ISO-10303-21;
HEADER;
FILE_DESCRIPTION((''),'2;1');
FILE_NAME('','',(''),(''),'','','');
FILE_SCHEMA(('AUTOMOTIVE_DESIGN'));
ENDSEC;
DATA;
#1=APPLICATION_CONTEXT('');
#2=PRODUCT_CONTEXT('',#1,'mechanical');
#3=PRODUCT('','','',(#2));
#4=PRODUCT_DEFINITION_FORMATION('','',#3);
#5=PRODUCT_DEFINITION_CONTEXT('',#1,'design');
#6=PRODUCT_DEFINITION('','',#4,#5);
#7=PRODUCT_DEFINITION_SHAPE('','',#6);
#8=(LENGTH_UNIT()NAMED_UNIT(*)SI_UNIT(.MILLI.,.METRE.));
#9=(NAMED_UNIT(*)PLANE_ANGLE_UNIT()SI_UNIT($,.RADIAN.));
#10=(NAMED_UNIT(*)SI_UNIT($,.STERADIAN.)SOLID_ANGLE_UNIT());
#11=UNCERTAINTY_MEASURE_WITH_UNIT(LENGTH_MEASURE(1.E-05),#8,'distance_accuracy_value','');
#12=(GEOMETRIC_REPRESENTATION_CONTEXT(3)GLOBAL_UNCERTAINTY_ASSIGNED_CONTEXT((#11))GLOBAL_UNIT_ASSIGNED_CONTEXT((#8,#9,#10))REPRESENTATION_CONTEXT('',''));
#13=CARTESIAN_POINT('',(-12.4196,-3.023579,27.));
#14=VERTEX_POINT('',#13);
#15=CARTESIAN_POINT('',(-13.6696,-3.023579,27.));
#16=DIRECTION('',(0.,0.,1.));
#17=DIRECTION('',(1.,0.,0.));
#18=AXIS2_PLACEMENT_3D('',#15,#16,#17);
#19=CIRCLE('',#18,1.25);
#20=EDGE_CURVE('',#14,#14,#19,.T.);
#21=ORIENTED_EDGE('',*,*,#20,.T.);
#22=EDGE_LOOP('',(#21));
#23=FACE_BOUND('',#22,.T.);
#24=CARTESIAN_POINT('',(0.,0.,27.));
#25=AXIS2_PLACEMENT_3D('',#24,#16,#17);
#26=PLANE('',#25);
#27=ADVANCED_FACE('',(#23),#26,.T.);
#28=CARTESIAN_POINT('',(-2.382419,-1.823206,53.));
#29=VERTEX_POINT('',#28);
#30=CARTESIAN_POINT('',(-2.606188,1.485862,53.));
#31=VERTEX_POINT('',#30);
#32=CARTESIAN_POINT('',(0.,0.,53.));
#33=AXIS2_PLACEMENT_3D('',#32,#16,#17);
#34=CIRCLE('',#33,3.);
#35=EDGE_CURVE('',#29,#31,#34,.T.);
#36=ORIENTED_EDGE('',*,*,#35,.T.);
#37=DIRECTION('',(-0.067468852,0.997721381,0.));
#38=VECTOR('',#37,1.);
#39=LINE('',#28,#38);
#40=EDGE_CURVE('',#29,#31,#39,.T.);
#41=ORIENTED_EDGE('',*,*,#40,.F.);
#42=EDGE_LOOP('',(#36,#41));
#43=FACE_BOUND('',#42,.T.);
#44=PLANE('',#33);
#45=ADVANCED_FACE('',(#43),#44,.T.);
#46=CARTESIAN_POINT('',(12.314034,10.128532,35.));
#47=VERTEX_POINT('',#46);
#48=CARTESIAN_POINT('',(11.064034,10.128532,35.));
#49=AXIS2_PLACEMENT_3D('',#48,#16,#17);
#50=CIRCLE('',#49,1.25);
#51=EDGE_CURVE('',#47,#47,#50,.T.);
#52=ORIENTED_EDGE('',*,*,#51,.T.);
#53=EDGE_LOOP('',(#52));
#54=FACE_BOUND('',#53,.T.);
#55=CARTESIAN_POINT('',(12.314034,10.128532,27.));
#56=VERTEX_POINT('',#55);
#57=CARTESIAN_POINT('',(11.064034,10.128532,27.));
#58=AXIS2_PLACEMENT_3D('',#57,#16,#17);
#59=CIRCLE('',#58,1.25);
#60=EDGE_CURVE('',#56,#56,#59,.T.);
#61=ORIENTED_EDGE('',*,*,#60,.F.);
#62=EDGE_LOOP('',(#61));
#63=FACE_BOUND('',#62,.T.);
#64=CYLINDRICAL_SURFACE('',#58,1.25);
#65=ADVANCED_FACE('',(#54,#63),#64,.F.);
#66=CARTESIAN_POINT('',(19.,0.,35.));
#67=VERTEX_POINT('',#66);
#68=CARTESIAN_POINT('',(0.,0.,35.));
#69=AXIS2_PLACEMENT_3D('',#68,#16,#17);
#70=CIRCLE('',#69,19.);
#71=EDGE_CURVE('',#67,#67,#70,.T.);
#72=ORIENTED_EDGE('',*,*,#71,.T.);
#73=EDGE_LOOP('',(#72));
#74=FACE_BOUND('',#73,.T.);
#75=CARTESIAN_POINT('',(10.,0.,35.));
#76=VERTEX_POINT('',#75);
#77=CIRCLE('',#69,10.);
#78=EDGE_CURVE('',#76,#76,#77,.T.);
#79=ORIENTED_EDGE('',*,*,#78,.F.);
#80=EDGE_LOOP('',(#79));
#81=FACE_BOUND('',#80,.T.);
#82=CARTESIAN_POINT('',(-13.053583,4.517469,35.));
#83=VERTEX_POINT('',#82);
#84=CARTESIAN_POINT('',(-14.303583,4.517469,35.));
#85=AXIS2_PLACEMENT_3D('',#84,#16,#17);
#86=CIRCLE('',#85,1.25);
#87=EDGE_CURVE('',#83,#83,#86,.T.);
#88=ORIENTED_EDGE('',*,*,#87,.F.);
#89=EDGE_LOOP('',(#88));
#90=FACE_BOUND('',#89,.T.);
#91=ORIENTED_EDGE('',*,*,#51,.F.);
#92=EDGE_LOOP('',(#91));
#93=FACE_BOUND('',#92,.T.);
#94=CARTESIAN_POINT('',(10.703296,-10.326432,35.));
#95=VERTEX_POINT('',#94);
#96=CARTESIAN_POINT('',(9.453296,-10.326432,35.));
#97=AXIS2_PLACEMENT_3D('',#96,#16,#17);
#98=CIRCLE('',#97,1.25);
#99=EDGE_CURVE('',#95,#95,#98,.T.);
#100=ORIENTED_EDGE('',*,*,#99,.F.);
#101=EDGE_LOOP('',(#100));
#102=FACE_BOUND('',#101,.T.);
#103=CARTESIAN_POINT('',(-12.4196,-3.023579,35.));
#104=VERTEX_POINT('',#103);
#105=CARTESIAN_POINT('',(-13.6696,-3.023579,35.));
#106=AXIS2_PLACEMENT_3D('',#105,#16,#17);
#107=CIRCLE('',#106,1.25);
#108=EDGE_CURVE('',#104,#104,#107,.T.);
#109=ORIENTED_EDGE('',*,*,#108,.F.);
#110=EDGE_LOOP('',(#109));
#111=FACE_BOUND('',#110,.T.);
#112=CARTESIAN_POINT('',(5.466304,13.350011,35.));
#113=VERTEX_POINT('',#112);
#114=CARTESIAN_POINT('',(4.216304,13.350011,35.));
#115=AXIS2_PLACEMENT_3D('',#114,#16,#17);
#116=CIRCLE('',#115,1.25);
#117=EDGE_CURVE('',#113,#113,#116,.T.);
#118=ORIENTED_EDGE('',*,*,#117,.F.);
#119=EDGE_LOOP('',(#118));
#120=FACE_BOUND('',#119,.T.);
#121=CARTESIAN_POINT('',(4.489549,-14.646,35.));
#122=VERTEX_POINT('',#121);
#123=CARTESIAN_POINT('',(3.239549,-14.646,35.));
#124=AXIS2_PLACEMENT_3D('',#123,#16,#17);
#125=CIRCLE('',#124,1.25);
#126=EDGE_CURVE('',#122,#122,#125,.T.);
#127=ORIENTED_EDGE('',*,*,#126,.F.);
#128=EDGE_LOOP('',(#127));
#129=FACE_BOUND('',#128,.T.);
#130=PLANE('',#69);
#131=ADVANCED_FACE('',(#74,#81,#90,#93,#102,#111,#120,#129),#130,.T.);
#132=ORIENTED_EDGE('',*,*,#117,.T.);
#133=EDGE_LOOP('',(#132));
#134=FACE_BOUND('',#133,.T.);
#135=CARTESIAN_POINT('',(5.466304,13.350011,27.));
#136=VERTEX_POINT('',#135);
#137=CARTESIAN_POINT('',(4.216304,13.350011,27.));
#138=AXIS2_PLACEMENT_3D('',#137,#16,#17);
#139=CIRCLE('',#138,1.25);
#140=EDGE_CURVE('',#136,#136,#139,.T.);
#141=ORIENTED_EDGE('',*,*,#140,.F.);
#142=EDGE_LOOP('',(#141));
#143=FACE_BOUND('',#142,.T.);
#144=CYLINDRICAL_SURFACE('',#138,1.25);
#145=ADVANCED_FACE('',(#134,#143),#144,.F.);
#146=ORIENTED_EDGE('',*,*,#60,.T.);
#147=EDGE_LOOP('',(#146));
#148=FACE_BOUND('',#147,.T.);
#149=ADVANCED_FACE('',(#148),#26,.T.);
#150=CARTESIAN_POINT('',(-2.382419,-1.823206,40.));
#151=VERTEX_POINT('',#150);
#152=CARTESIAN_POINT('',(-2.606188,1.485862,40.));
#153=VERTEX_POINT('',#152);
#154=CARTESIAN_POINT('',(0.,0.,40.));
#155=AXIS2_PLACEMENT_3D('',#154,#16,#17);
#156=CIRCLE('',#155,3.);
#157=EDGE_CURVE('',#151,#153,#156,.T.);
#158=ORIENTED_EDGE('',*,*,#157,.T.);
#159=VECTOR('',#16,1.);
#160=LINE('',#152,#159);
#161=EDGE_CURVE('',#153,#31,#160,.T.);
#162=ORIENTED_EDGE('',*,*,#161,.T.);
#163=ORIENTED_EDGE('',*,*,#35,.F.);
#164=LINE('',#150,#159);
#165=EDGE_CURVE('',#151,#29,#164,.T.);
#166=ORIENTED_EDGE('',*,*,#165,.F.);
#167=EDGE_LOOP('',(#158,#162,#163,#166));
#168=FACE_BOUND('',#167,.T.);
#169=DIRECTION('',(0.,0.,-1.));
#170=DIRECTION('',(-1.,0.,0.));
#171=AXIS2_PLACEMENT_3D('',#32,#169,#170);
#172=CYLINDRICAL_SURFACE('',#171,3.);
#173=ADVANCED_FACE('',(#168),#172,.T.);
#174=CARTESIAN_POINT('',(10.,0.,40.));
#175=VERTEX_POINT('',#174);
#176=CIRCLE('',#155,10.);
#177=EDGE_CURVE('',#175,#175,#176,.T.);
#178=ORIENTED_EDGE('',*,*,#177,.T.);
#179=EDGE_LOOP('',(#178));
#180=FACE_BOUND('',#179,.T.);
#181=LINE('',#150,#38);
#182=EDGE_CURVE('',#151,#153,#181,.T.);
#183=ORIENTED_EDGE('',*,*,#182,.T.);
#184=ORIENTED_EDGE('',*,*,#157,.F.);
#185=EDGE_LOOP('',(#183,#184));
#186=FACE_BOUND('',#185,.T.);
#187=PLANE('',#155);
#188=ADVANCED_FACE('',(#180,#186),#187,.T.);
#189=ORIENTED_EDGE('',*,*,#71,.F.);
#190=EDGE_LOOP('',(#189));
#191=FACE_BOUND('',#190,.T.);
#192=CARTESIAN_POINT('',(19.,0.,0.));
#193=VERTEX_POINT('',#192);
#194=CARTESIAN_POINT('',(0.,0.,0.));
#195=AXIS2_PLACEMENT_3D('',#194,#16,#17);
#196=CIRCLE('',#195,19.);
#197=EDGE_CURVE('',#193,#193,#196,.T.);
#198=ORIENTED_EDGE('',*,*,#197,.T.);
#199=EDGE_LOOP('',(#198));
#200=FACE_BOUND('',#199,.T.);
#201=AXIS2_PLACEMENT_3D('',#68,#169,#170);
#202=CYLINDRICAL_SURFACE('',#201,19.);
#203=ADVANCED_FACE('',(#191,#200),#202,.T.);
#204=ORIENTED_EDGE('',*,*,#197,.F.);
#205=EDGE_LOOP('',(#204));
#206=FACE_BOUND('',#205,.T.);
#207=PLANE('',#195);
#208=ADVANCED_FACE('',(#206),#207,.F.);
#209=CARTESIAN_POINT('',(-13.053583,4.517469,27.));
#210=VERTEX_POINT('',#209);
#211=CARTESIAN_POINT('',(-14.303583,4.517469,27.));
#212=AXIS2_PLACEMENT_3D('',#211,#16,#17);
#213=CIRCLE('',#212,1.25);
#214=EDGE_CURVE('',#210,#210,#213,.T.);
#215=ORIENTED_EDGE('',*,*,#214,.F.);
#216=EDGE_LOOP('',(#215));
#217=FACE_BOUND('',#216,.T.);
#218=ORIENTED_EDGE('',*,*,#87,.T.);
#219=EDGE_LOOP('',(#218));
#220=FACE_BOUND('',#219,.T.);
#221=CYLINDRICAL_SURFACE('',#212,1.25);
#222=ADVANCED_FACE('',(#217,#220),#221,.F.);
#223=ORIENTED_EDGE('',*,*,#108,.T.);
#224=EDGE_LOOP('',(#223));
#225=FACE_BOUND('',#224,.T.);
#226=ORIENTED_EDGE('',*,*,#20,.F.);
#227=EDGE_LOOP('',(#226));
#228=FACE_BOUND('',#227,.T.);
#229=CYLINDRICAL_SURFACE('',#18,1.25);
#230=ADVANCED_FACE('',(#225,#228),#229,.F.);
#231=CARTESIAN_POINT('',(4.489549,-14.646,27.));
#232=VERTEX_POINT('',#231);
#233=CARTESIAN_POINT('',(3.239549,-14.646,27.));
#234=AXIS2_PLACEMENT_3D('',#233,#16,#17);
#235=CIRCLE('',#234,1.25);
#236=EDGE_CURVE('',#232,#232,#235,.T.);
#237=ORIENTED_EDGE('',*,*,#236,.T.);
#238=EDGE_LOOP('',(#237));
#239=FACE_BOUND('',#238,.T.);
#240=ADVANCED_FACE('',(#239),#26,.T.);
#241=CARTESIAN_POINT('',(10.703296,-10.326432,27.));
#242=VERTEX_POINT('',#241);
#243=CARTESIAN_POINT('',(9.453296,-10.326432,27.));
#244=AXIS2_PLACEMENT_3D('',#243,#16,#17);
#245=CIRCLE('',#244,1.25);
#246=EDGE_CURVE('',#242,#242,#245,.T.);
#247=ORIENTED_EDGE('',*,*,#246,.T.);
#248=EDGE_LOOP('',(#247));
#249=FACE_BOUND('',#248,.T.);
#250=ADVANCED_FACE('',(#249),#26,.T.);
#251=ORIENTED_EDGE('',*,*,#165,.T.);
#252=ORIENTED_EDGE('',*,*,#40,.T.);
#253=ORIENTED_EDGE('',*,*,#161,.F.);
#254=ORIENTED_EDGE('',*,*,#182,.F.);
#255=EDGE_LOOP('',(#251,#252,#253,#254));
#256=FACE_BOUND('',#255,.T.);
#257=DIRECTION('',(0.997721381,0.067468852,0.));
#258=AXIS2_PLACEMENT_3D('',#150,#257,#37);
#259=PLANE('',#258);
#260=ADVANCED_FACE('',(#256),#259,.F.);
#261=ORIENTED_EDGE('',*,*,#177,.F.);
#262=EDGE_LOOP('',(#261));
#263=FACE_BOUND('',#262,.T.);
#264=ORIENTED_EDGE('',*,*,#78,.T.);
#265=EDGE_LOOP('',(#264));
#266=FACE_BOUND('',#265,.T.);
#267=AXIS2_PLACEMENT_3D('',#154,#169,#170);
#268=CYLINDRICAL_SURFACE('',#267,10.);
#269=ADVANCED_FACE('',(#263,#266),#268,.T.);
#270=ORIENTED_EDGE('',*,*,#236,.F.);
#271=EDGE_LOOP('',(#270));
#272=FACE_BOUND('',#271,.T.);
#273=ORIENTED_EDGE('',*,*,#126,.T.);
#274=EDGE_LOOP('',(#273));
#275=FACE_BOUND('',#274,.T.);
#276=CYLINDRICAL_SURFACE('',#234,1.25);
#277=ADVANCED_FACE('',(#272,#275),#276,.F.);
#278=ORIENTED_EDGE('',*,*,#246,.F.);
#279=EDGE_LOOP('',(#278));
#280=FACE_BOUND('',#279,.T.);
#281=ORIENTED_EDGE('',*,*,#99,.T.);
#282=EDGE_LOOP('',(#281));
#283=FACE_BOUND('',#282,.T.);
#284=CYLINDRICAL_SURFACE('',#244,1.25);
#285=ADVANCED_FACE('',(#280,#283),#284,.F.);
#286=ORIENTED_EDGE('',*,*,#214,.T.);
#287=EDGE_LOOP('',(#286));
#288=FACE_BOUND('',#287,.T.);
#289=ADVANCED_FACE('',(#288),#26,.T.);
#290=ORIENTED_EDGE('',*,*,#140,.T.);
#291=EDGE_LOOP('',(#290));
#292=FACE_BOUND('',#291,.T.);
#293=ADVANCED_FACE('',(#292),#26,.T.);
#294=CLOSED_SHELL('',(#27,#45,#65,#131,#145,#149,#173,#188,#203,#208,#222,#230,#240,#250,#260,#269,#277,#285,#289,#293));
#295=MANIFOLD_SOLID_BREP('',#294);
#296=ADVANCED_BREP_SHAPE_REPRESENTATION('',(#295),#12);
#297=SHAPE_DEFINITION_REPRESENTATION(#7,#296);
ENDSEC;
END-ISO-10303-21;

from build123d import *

# Parameters (mm, degrees)
ESQUISSE1_R             = 19
BOSS_EXTRU_1_DEPTH      = 35
ESQUISSE2_R             = 10
BOSS_EXTRU_2_DEPTH      = 5
ESQUISSE3_R             = 3
BOSS_EXTRU_3_DEPTH      = 13
ESQUISSE4_R             = 1.25
ENL_V_MAT_EXTRU_1_DEPTH = 8
ENL_V_MAT_EXTRU_2_DEPTH = 13


with BuildPart() as part:
    # Esquisse1 → Boss.-Extru.1 (new body)
    with BuildSketch(Plane.XY):
        Circle(ESQUISSE1_R)
    extrude(amount=BOSS_EXTRU_1_DEPTH)

    # Esquisse2 → Boss.-Extru.2 (add)
    with BuildSketch(Plane.XY.offset(35)):
        Circle(ESQUISSE2_R)
    extrude(amount=BOSS_EXTRU_2_DEPTH)

    # Esquisse3 → Boss.-Extru.3 (add)
    with BuildSketch(Plane.XY.offset(40)):
        with Locations(Location((0, 0, 0), (0, 0, 180))):
            Circle(ESQUISSE3_R)
    extrude(amount=BOSS_EXTRU_3_DEPTH)

    # Esquisse4 → Enlèv. mat.-Extru.1 (cut)
    with BuildSketch(Plane.XY.offset(35)):
        with Locations((3.239548848, -14.646000248)):
            Circle(ESQUISSE4_R)
        with Locations((9.453296275, -10.326431598)):
            Circle(ESQUISSE4_R)
        with Locations((-13.669600231, -3.023578925)):
            Circle(ESQUISSE4_R)
        with Locations((-14.303582703, 4.517468525)):
            Circle(ESQUISSE4_R)
        with Locations((4.216303956, 13.350010522)):
            Circle(ESQUISSE4_R)
        with Locations((11.064033854, 10.128531723)):
            Circle(ESQUISSE4_R)
    extrude(amount=-ENL_V_MAT_EXTRU_1_DEPTH, mode=Mode.SUBTRACT)

    # Esquisse6 → Enlèv. mat.-Extru.2 (cut)
    with BuildSketch(Plane.XY.offset(53)):
        Polygon((-2.382419019, -1.823205862), (-2.606187886, 1.485861604), (-6.139376272, 1.246937022), (-5.915607406, -2.062130444), align=None)
    extrude(amount=-ENL_V_MAT_EXTRU_2_DEPTH, mode=Mode.SUBTRACT)


solid = part.part
